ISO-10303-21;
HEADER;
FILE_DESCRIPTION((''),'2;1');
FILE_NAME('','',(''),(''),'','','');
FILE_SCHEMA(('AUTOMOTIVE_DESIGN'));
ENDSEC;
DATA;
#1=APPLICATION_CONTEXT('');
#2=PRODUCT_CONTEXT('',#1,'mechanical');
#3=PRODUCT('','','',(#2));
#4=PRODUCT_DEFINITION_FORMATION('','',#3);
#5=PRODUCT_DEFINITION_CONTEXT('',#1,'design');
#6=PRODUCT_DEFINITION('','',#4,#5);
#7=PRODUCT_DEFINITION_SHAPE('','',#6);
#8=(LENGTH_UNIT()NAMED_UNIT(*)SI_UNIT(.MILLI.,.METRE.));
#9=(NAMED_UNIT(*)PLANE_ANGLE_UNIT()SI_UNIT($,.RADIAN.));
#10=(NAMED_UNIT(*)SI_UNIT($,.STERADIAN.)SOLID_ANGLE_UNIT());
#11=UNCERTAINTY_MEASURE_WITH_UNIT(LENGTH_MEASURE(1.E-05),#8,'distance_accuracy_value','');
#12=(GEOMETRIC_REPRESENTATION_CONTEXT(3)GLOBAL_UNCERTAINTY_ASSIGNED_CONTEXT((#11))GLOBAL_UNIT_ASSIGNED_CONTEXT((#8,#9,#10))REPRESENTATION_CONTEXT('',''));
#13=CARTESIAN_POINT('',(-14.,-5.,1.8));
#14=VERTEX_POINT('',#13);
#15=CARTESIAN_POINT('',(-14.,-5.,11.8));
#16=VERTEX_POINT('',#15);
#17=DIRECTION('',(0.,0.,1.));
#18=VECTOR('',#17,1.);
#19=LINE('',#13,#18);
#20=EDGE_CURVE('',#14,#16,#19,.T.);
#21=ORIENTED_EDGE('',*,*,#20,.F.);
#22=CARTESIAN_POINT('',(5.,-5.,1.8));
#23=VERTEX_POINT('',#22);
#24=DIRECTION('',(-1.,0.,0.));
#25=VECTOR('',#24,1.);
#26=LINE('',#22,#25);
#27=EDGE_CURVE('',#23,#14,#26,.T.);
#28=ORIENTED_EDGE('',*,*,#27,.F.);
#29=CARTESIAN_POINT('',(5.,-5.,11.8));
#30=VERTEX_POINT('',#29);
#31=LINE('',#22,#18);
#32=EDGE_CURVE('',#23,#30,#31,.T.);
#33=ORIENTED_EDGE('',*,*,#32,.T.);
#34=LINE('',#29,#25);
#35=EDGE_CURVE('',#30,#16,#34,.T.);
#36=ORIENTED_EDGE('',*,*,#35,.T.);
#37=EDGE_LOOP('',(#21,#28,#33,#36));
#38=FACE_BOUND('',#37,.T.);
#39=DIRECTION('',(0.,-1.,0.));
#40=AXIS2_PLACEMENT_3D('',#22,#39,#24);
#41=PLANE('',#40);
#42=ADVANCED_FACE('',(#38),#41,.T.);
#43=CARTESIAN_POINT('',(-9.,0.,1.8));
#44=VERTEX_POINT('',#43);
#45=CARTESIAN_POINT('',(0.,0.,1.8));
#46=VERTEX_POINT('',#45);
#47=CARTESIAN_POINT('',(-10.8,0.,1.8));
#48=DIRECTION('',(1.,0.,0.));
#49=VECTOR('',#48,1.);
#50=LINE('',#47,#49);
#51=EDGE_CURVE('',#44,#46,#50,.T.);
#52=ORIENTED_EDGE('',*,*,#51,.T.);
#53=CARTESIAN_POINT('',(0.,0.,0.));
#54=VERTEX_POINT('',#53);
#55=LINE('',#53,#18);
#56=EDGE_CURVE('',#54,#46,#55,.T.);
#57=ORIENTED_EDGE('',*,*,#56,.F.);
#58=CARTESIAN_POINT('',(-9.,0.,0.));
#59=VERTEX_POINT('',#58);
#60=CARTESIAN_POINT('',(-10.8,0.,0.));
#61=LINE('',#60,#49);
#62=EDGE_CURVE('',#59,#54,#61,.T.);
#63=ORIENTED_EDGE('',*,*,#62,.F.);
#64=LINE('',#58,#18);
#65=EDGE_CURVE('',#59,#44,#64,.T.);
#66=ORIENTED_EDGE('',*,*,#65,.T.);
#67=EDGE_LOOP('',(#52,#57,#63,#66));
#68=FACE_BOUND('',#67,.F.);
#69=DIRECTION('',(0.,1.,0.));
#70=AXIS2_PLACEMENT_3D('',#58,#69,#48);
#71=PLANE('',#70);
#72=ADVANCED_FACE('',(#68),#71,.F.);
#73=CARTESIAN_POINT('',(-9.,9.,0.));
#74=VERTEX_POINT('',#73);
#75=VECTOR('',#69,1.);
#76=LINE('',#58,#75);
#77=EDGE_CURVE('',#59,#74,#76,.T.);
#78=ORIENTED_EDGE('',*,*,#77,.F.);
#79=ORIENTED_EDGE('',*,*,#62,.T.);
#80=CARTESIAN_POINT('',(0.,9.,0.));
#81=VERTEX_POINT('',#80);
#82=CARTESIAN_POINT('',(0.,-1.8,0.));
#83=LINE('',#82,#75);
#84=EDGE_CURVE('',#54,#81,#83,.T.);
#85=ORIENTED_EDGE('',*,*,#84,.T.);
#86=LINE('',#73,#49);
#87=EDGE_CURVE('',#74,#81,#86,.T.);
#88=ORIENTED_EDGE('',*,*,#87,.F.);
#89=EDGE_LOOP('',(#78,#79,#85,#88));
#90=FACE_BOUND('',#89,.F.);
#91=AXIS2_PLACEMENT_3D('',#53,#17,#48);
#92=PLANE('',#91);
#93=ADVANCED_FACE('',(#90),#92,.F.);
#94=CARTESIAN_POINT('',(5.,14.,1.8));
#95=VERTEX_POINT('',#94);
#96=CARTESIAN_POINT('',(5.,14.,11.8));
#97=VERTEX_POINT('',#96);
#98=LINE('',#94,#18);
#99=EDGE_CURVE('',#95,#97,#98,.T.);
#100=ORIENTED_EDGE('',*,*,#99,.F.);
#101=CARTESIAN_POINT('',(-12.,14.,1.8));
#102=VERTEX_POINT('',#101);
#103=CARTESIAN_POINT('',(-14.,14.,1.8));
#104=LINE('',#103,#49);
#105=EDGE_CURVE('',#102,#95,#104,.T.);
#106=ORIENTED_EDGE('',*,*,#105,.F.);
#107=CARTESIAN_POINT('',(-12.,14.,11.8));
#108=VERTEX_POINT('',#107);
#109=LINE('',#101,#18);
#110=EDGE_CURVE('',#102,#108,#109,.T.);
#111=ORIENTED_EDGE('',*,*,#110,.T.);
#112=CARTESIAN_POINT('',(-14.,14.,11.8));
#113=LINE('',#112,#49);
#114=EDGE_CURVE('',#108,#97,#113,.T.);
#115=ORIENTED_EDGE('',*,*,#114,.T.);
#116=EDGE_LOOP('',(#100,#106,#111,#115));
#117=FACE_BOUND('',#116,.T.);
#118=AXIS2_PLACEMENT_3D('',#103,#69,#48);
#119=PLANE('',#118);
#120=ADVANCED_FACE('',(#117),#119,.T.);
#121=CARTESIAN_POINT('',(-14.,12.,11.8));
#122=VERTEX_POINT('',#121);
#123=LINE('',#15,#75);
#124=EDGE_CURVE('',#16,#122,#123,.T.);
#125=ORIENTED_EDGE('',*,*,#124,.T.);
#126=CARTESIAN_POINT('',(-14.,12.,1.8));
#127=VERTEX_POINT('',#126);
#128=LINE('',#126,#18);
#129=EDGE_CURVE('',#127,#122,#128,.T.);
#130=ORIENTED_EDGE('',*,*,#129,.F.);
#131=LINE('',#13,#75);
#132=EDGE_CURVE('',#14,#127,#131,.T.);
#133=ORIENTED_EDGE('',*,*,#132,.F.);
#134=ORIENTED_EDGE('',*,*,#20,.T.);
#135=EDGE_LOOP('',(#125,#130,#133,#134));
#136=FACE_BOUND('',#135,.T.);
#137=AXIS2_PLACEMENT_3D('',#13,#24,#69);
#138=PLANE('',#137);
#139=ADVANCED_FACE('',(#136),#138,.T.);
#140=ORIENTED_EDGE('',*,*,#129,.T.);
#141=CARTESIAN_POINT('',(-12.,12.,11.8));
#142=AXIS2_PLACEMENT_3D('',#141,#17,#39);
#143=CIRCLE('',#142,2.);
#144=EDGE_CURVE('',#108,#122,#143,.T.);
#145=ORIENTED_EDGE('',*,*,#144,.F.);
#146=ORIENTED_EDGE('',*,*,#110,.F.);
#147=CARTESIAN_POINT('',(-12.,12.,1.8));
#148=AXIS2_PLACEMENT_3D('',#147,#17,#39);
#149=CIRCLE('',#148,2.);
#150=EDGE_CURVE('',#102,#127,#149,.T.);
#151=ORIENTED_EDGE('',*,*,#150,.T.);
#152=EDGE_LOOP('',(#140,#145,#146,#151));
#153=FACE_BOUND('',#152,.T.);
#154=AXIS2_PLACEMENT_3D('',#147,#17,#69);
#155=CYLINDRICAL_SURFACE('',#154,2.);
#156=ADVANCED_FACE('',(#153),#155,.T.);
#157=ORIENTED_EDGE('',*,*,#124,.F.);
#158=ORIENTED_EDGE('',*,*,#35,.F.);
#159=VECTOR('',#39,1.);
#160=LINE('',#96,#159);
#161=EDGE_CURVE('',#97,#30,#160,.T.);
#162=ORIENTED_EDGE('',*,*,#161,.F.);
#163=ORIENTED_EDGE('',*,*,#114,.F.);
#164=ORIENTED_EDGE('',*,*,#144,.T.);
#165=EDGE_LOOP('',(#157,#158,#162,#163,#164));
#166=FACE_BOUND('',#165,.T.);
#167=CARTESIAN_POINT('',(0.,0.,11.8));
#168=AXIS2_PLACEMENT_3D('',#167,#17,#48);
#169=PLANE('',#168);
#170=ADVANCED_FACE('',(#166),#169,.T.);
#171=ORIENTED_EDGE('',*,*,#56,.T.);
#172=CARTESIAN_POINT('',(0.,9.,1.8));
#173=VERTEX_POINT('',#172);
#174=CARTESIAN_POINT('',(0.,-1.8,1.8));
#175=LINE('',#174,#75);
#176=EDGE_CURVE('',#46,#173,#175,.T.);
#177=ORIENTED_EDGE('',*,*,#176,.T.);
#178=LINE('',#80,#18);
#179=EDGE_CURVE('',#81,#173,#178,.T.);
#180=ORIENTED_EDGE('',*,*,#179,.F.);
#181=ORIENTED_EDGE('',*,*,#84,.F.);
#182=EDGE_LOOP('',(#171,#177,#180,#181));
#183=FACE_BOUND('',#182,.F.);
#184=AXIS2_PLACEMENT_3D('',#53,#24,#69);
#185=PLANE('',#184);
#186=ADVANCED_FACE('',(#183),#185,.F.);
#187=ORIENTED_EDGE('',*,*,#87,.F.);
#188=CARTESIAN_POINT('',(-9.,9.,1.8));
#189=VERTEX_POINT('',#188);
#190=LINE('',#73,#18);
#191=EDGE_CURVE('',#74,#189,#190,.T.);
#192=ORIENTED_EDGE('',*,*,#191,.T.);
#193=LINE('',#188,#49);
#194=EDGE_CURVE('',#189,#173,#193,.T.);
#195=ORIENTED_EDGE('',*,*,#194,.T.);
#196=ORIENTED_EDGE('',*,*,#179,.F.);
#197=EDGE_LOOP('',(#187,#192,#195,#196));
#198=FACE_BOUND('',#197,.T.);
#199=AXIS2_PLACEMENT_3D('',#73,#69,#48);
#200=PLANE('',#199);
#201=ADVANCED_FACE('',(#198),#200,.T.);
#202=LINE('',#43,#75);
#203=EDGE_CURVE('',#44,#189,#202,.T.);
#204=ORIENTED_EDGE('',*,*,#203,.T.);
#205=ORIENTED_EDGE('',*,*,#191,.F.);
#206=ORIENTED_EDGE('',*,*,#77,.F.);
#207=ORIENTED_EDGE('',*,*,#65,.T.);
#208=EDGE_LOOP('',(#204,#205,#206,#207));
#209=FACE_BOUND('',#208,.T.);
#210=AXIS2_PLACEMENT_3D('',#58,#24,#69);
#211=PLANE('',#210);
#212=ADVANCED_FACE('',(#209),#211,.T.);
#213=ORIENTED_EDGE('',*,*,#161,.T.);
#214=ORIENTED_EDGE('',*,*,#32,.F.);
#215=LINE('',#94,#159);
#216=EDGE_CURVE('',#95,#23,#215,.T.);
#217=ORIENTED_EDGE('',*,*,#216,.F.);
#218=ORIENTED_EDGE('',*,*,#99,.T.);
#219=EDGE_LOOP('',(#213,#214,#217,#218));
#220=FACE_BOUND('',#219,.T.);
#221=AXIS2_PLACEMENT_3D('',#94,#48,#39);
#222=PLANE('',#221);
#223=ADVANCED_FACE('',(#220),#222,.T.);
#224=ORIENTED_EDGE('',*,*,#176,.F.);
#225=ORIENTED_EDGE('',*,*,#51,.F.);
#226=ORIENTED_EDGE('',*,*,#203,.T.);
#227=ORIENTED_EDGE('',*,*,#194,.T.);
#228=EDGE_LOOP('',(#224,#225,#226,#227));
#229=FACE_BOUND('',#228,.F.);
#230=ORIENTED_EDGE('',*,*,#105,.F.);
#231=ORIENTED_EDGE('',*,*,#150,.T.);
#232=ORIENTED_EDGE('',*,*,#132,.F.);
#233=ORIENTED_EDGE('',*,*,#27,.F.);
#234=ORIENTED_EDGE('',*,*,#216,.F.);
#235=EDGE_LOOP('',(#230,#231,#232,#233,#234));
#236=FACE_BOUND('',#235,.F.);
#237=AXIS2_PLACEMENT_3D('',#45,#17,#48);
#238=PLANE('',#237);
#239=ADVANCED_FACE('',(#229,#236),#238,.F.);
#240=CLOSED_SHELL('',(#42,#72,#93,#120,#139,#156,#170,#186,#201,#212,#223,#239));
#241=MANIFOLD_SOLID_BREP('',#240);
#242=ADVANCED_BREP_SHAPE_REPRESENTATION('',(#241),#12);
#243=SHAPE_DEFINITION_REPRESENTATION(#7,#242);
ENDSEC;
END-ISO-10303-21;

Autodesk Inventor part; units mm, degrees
ref_plane "YZ Plane" through (0, 0, 0) normal (1, 0, 0) x (0, 1, 0)
ref_plane "XZ Plane" through (0, 0, 0) normal (0, 1, 0) x (-1, 0, 0)
ref_plane "XY Plane" through (0, 0, 0) normal (0, 0, 1) x (1, 0, 0)
sketch "Esquisse1" plane through (0, 0, 0) normal (0, 0, 1) x (1, 0, 0)
  line L0 (0, -1.8) -> (0, 10.8) projected
  line L1 (-10.8, 0) -> (1.8, 0) projected
  line L2 (0, 0) -> (-9, 0)
  line L3 (-9, 0) -> (-9, 9)
  line L4 (-9, 9) -> (0, 9)
  line L5 (0, 9) -> (0, 0)
  point P0 (0, 9)
  dimension "d0" = 9
  dimension "d1" = 9
extrude "Extrusion1" add sketch "Esquisse1" along normal blind 1.8
sketch "Esquisse2" plane through (0, 0, 1.8) normal (0, 0, 1) x (1, 0, 0)
  line L0 (-14, 14) -> (5, 14)
  line L1 (5, 14) -> (5, -5)
  line L2 (5, -5) -> (-14, -5)
  line L3 (-14, -5) -> (-14, 14)
  line L4 (-9, 9) -> (-9, 0) projected
  line L5 (0, 9) -> (-9, 9) projected
  line L6 (0, 0) -> (0, 9) projected
  line L7 (-9, 0) -> (0, 0) projected
  dimension "d4" = 5
  dimension "d5" = 5
  dimension "d6" = 5
  dimension "d7" = 5
extrude "Extrusion2" add sketch "Esquisse2" along normal blind 10 contours L0 L1 L2 L3 | L5 L6 L7 L4
fillet "Congé1" radius 2 1 edges at (-14, 14, 6.8)
properties part number "pied_coque"
